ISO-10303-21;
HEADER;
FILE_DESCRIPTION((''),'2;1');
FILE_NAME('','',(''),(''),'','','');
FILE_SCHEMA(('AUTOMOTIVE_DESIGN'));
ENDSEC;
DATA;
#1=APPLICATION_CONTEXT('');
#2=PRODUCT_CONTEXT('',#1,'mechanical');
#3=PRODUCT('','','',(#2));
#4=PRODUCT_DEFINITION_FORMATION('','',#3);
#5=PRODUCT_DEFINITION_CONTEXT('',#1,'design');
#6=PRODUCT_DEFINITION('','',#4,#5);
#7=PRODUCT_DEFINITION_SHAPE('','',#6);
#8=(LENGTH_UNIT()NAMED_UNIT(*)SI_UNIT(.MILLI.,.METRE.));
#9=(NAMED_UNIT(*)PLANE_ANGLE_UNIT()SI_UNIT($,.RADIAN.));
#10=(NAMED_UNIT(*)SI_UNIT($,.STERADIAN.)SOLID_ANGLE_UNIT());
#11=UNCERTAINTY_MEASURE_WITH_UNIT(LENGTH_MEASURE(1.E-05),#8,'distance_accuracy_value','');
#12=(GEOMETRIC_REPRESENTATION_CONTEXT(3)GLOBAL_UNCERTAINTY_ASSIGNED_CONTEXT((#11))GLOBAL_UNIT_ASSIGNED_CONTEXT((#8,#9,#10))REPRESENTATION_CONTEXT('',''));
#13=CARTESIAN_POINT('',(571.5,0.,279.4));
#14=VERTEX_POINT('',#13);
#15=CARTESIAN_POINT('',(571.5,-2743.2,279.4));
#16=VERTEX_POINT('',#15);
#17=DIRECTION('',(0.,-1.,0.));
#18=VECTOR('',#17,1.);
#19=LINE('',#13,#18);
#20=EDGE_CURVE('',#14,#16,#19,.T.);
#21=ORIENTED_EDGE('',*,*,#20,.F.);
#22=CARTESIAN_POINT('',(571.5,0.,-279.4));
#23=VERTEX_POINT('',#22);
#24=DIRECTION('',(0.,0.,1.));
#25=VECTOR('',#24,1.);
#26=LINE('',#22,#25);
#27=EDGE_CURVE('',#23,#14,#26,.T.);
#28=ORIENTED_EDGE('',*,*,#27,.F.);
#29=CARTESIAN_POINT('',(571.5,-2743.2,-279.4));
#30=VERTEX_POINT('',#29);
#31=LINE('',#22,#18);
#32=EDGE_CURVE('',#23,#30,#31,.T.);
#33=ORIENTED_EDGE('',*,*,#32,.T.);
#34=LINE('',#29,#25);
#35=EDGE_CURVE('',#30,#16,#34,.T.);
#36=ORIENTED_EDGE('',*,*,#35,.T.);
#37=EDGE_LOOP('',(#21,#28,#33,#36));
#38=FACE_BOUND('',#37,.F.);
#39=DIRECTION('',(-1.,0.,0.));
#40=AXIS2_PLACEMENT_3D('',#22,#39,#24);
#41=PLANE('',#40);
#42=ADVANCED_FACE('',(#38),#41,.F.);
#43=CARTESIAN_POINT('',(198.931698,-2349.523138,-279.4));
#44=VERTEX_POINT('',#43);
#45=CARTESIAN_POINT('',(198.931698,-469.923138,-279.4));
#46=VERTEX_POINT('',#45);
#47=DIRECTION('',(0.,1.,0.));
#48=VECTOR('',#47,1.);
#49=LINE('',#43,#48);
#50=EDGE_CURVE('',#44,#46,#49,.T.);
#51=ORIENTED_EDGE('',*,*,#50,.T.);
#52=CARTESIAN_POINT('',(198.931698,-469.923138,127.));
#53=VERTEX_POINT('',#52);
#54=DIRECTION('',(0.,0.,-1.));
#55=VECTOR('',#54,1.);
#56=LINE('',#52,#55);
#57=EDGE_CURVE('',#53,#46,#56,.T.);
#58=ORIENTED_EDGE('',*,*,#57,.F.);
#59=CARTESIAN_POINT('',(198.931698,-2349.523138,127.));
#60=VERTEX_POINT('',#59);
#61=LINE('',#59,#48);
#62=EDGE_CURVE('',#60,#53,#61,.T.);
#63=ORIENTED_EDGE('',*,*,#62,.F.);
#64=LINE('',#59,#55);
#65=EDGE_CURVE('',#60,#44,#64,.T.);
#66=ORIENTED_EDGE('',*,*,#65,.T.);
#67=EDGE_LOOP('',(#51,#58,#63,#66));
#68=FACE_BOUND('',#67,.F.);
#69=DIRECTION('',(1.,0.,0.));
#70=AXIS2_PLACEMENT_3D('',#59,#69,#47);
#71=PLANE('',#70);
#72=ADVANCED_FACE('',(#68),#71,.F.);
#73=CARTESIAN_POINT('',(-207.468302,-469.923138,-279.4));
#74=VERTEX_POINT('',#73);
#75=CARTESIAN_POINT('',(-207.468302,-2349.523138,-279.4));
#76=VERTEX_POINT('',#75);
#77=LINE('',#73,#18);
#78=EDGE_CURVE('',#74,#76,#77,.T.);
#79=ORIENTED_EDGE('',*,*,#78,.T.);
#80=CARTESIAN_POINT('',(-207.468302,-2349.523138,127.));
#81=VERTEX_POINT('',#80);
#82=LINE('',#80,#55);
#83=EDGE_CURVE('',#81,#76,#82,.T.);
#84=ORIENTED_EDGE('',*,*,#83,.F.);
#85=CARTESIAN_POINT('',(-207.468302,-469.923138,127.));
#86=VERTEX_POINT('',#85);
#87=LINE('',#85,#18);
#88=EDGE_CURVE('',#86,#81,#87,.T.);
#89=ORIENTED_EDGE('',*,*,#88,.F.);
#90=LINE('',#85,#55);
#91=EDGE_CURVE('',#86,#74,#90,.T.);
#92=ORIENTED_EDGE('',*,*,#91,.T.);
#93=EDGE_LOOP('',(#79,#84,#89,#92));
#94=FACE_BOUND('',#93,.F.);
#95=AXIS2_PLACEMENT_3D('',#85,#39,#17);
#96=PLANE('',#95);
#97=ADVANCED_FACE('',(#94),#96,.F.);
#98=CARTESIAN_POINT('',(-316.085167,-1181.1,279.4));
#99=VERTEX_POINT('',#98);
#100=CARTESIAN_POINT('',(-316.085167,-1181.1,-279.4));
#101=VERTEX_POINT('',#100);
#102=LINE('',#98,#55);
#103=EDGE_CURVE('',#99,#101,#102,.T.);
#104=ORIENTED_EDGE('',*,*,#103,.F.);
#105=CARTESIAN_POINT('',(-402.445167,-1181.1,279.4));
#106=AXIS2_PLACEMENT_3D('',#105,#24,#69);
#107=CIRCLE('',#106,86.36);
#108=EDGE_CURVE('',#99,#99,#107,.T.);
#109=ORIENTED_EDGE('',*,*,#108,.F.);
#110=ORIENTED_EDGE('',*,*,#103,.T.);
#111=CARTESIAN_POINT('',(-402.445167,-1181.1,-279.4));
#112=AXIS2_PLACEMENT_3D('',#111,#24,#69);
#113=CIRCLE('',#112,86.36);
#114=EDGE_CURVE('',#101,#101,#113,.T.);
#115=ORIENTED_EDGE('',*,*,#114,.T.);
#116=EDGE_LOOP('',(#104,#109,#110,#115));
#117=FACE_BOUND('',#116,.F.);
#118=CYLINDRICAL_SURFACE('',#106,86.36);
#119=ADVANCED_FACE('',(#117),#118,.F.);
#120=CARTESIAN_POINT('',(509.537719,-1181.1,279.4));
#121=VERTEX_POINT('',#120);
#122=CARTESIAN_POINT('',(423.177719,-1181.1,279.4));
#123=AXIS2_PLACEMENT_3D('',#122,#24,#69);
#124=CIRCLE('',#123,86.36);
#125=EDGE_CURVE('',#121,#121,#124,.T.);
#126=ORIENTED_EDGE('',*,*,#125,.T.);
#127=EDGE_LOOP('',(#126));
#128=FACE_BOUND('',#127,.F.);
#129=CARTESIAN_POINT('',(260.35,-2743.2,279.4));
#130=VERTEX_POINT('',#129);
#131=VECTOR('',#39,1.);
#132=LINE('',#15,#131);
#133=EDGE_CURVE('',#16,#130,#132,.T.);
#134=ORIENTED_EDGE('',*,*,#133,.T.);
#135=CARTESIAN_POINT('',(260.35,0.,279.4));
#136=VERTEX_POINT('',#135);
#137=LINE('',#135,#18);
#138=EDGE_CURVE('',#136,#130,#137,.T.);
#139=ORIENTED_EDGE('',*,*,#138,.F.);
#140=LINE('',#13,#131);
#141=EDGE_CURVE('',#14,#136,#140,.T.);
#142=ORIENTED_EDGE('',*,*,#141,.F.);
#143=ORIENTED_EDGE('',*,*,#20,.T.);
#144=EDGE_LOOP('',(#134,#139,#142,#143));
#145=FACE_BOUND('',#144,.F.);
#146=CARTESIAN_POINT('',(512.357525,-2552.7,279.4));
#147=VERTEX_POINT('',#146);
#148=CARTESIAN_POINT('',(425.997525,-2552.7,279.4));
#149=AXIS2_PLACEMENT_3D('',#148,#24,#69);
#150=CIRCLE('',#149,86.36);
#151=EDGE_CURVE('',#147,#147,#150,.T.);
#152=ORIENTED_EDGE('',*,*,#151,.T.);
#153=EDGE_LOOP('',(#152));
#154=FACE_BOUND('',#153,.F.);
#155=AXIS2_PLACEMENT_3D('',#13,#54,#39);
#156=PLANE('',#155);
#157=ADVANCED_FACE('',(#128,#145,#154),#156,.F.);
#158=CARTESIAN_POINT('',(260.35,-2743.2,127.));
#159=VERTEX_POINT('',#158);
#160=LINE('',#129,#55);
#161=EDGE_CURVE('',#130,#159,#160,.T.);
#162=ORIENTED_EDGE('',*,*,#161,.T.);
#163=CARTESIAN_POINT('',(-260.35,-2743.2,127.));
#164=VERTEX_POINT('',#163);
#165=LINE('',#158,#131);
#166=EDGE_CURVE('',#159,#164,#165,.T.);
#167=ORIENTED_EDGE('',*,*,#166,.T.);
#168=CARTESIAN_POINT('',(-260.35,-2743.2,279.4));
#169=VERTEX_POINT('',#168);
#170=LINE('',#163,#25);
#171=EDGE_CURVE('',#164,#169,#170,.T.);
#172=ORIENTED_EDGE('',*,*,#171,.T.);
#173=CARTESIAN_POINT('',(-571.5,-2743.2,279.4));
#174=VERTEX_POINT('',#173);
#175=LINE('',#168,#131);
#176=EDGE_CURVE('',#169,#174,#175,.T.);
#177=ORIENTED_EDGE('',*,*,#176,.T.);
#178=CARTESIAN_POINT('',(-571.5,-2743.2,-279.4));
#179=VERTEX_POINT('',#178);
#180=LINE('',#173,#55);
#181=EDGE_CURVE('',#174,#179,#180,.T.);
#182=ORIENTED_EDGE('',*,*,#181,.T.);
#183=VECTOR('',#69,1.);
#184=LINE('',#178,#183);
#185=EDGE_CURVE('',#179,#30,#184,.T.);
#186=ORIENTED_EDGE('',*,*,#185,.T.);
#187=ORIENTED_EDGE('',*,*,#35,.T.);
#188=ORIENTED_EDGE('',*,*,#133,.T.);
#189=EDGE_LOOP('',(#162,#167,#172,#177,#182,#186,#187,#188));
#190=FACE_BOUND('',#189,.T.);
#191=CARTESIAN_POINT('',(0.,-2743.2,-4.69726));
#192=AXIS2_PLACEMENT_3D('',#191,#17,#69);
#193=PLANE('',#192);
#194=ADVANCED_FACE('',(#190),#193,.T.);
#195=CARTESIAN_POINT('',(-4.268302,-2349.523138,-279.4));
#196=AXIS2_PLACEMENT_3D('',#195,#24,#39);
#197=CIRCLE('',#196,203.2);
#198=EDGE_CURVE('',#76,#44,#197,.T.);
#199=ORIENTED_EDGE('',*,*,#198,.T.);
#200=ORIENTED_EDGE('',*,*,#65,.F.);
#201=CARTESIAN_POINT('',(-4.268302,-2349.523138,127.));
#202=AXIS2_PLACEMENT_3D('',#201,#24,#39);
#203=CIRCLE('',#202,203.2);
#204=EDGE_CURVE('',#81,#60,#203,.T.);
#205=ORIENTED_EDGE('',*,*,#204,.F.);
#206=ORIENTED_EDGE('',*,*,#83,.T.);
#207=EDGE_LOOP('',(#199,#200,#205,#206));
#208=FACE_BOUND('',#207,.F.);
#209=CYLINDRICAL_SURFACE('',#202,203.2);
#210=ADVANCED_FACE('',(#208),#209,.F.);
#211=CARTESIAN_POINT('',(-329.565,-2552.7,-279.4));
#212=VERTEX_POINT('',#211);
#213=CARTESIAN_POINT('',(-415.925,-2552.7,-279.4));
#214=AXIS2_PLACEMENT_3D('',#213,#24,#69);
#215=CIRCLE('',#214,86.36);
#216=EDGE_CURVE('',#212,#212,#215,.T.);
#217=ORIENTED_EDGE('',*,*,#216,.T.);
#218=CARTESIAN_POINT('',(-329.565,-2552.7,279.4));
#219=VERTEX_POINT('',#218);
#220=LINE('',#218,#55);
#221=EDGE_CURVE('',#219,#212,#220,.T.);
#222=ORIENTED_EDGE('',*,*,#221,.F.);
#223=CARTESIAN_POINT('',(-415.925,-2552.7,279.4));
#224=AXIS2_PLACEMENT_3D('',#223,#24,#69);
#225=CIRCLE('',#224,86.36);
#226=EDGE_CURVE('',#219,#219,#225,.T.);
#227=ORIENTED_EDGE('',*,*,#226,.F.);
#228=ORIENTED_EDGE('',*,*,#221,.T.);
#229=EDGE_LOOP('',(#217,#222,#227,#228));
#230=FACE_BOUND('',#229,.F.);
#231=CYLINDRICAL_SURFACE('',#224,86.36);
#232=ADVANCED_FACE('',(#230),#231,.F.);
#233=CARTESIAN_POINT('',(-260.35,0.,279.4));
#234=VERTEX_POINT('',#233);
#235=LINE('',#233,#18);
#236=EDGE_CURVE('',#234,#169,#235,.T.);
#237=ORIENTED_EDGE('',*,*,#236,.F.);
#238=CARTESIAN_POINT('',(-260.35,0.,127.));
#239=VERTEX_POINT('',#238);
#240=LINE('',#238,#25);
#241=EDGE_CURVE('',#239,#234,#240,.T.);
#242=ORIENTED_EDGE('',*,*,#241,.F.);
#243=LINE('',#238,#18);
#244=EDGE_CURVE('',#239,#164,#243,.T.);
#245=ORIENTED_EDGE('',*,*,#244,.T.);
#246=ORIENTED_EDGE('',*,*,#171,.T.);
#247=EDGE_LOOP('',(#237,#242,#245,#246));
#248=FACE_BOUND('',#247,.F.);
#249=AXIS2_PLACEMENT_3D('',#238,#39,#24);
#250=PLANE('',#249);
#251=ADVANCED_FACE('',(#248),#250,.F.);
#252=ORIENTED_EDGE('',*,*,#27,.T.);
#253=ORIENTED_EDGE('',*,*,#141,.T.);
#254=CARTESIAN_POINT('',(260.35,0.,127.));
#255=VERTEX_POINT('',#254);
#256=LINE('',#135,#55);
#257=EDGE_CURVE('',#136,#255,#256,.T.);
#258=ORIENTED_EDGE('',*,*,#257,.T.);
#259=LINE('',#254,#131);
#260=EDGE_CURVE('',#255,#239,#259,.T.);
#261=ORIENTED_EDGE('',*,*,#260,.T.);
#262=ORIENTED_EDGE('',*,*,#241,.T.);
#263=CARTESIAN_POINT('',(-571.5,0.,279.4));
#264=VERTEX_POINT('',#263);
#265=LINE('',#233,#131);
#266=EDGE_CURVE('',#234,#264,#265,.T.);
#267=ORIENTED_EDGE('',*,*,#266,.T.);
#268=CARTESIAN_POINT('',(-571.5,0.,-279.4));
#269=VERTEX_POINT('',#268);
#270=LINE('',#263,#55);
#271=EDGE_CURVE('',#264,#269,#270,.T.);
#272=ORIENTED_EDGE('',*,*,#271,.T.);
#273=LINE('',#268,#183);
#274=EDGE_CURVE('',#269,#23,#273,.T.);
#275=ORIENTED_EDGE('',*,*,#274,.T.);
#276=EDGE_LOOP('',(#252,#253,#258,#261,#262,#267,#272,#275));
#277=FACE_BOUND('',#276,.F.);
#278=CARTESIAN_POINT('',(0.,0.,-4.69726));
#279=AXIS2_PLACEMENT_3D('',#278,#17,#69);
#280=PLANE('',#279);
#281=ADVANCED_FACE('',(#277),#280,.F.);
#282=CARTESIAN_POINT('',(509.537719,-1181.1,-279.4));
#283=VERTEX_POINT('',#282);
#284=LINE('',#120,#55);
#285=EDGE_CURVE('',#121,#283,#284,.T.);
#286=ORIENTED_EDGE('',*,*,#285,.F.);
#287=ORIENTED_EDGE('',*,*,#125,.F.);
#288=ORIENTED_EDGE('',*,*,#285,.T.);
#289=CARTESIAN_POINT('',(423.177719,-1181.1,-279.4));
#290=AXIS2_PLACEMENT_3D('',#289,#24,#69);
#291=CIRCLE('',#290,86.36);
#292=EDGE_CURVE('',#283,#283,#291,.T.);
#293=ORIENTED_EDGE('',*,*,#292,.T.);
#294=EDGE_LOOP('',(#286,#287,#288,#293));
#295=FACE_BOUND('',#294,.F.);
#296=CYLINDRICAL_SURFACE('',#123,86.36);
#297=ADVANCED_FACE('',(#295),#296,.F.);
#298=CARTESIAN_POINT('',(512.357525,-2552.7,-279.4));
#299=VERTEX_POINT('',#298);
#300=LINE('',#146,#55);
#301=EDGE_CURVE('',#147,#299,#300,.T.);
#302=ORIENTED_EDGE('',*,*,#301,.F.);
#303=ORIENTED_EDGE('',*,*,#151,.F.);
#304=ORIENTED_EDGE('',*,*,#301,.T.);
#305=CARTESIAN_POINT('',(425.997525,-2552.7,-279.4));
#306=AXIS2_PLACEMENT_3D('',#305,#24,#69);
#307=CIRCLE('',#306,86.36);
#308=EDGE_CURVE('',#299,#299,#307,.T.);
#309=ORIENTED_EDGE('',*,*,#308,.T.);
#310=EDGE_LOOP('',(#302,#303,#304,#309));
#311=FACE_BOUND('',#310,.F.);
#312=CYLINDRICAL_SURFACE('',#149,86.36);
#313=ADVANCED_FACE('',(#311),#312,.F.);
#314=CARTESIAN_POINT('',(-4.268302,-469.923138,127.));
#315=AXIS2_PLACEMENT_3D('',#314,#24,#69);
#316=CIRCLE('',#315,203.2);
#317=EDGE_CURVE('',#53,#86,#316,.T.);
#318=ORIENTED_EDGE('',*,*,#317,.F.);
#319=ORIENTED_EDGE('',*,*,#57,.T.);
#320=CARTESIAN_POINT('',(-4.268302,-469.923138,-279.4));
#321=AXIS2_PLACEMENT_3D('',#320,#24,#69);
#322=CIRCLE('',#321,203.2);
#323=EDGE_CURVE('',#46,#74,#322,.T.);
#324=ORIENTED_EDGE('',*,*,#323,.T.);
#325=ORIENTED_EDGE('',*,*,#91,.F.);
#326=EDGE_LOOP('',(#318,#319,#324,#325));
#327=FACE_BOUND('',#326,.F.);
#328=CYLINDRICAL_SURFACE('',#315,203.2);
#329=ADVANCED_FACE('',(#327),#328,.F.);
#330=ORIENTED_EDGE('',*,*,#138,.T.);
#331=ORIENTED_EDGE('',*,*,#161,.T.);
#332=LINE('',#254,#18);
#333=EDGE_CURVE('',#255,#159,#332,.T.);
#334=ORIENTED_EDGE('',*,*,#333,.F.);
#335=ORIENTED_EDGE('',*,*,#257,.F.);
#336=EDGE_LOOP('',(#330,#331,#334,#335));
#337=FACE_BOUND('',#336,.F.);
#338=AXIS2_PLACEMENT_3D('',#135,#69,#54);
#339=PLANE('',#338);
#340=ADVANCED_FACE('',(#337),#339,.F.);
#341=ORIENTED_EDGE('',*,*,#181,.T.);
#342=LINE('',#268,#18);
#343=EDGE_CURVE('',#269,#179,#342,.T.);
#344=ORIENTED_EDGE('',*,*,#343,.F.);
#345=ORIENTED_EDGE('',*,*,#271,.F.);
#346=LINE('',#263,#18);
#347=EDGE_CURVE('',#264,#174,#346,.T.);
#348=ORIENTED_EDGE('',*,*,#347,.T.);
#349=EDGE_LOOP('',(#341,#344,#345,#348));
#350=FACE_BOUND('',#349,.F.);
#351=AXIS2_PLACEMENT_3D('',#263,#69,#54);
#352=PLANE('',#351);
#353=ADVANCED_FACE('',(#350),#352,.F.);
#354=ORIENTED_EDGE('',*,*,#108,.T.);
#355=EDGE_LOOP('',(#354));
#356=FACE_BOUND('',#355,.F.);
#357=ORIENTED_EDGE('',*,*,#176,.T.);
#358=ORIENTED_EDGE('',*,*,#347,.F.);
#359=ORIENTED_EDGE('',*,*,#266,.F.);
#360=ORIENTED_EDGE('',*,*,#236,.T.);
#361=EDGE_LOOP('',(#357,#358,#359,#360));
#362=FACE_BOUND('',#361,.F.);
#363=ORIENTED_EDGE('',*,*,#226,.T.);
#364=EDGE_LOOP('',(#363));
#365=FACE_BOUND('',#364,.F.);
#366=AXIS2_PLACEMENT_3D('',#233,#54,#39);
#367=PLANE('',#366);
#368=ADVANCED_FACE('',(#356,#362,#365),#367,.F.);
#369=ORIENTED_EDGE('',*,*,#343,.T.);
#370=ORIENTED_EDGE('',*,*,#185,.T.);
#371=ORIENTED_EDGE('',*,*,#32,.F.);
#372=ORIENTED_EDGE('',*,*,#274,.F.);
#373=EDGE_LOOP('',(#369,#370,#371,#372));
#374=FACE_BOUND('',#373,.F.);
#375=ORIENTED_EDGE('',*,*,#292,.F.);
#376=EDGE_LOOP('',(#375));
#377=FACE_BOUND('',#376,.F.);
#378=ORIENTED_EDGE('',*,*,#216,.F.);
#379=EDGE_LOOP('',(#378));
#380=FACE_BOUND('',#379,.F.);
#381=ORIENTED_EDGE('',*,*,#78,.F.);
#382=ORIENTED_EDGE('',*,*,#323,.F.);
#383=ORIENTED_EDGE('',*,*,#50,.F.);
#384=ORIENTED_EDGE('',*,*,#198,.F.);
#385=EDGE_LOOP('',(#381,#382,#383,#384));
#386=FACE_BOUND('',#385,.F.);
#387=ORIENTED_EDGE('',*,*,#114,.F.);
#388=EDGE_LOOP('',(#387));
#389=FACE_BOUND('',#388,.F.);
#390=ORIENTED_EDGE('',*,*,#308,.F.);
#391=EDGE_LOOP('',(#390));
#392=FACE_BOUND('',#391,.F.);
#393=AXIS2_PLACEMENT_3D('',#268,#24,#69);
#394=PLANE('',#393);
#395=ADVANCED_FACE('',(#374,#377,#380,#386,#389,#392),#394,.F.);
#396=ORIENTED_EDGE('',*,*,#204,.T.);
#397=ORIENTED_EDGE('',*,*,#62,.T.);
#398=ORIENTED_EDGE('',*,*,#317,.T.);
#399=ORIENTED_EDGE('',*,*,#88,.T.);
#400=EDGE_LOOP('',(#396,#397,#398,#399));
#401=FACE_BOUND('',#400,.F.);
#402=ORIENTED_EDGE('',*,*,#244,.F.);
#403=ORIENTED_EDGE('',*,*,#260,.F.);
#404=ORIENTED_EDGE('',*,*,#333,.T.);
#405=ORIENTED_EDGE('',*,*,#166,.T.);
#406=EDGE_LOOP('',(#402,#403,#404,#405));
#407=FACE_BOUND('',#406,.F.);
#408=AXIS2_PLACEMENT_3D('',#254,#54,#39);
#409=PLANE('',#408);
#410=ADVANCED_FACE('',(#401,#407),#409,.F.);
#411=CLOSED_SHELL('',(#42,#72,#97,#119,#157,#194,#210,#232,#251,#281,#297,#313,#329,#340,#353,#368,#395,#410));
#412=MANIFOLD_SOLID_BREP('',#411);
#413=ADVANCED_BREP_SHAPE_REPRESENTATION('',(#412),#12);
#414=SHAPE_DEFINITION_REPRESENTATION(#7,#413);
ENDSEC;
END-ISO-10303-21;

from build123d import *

# Parameters (mm, degrees)
F1_DEPTH = 2743.2
F3_DEPTH = 406.4
F4_R     = 86.36
F5_DEPTH = 558.8


with BuildPart() as f1:
    # F0 (on Front) → F1 (new body)
    with BuildSketch(Plane.XZ):
        Polygon((571.5, -279.4), (571.5, 279.4), (260.35, 279.4), (260.35, 127), (-260.35, 127), (-260.35, 279.4), (-571.5, 279.4), (-571.5, -279.4), align=None)
    extrude(amount=F1_DEPTH)

    # F2 (on face) → F3 (cut)
    with BuildSketch(Plane.XY.offset(127)):
        with BuildLine():
            ThreePointArc((198.931698, -469.923138), (-4.268302, -266.723138), (-207.468302, -469.923138))
            Line((-207.468302, -469.923138), (-207.468302, -2349.523138))
            ThreePointArc((-207.468302, -2349.523138), (-4.268302, -2552.723138), (198.931698, -2349.523138))
            Line((198.931698, -2349.523138), (198.931698, -469.923138))
        make_face()
    extrude(amount=-F3_DEPTH, mode=Mode.SUBTRACT)

    # F4 (on face) → F5 (cut)
    with BuildSketch(Plane.XY.offset(279.4)):
        with Locations((-402.445167, -1181.1)):
            Circle(F4_R)
        with Locations((-415.925, -2552.7)):
            Circle(F4_R)
        with Locations((425.997525, -2552.7)):
            Circle(F4_R)
        with Locations((423.177719, -1181.1)):
            Circle(F4_R)
    extrude(amount=-F5_DEPTH, mode=Mode.SUBTRACT)


solid = f1.part
